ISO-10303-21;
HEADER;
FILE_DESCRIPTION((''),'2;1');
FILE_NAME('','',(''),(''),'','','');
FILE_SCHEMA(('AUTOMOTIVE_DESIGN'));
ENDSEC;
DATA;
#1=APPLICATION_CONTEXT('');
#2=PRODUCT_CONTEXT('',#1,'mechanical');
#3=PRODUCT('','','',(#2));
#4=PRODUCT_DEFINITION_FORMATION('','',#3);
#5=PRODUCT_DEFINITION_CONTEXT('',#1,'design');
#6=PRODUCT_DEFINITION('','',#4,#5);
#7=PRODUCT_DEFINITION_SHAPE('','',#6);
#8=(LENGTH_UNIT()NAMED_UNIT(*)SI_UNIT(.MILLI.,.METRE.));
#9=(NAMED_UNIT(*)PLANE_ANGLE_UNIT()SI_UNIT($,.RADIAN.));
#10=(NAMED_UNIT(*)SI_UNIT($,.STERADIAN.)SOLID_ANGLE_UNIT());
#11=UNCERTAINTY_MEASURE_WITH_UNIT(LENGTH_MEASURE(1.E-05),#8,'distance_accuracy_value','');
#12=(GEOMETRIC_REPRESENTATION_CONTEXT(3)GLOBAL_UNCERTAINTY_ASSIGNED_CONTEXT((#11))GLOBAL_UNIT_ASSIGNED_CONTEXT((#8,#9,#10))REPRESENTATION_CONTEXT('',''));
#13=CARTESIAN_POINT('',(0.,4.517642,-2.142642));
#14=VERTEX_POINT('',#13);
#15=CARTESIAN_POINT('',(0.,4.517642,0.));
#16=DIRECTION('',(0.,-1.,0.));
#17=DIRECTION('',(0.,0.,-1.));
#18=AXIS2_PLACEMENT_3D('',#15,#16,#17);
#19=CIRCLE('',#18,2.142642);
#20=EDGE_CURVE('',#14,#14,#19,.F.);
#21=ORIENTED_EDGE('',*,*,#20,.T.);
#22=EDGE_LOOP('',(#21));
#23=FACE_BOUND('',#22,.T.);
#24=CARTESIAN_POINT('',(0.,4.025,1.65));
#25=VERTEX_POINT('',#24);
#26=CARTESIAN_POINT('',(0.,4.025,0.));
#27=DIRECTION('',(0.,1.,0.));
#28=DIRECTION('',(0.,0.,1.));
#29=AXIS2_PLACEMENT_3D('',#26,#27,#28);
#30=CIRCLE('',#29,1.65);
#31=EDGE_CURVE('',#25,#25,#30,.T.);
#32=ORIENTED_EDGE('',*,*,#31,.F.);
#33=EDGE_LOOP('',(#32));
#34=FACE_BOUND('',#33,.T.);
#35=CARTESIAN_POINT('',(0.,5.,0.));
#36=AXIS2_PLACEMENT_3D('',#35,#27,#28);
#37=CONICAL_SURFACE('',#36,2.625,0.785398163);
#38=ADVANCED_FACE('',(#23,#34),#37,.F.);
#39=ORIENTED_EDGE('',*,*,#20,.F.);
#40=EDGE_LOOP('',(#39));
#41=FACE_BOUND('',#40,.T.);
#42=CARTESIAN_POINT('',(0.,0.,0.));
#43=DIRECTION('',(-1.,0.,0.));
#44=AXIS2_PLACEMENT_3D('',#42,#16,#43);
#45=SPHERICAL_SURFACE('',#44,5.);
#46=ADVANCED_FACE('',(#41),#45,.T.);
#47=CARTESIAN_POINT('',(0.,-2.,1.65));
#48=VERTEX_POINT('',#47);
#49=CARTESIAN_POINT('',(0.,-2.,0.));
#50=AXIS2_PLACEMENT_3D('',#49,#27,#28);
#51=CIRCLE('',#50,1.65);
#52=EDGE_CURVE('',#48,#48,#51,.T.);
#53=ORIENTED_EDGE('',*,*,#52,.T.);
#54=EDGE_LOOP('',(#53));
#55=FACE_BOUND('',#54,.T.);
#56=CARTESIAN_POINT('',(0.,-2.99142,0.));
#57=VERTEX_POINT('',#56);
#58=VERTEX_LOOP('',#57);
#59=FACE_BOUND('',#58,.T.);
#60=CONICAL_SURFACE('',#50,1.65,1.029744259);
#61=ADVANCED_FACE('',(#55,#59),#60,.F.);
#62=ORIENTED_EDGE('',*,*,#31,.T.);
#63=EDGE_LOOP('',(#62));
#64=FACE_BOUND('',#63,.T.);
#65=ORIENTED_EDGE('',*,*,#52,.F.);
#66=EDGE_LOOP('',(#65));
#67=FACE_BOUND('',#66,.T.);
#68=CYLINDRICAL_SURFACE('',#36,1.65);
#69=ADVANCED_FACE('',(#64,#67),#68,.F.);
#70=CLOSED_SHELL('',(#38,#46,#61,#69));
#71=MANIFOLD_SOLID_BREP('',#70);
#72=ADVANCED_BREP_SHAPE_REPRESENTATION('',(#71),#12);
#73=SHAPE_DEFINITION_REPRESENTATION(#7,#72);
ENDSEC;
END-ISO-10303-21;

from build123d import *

# Parameters (mm, degrees)
HOLE_WIZARD_M4_1_D           = 3.3
HOLE_WIZARD_M4_1_DEPTH       = 7
HOLE_WIZARD_M4_1_CSINK_D     = 5.25
HOLE_WIZARD_M4_1_CSINK_ANGLE = 90
HOLE_WIZARD_M4_1_TIP         = 0.991420021


with BuildPart() as part:
    # 草图1 → 旋转1 (revolve)
    with BuildSketch(Plane.XY):
        with BuildLine():
            Line((0, 5), (0, -5))
            ThreePointArc((0, -5), (5, 0), (0, 5))
        make_face()
    revolve(axis=Axis((0, 0, 0), (0, 1, 0)))

    # M4 螺纹孔1
    with Locations(Plane(origin=(0, 5, 0), x_dir=(1, 0, 0), z_dir=(0, 1, 0))):
        with Locations((0, 0)):
            CounterSinkHole(HOLE_WIZARD_M4_1_D / 2, HOLE_WIZARD_M4_1_CSINK_D / 2, depth=HOLE_WIZARD_M4_1_DEPTH, counter_sink_angle=HOLE_WIZARD_M4_1_CSINK_ANGLE)
            with Locations((0, 0, -(HOLE_WIZARD_M4_1_DEPTH + HOLE_WIZARD_M4_1_TIP / 2))):  # 118° drill point
                Cone(0, HOLE_WIZARD_M4_1_D / 2, HOLE_WIZARD_M4_1_TIP, mode=Mode.SUBTRACT)


solid = part.part
